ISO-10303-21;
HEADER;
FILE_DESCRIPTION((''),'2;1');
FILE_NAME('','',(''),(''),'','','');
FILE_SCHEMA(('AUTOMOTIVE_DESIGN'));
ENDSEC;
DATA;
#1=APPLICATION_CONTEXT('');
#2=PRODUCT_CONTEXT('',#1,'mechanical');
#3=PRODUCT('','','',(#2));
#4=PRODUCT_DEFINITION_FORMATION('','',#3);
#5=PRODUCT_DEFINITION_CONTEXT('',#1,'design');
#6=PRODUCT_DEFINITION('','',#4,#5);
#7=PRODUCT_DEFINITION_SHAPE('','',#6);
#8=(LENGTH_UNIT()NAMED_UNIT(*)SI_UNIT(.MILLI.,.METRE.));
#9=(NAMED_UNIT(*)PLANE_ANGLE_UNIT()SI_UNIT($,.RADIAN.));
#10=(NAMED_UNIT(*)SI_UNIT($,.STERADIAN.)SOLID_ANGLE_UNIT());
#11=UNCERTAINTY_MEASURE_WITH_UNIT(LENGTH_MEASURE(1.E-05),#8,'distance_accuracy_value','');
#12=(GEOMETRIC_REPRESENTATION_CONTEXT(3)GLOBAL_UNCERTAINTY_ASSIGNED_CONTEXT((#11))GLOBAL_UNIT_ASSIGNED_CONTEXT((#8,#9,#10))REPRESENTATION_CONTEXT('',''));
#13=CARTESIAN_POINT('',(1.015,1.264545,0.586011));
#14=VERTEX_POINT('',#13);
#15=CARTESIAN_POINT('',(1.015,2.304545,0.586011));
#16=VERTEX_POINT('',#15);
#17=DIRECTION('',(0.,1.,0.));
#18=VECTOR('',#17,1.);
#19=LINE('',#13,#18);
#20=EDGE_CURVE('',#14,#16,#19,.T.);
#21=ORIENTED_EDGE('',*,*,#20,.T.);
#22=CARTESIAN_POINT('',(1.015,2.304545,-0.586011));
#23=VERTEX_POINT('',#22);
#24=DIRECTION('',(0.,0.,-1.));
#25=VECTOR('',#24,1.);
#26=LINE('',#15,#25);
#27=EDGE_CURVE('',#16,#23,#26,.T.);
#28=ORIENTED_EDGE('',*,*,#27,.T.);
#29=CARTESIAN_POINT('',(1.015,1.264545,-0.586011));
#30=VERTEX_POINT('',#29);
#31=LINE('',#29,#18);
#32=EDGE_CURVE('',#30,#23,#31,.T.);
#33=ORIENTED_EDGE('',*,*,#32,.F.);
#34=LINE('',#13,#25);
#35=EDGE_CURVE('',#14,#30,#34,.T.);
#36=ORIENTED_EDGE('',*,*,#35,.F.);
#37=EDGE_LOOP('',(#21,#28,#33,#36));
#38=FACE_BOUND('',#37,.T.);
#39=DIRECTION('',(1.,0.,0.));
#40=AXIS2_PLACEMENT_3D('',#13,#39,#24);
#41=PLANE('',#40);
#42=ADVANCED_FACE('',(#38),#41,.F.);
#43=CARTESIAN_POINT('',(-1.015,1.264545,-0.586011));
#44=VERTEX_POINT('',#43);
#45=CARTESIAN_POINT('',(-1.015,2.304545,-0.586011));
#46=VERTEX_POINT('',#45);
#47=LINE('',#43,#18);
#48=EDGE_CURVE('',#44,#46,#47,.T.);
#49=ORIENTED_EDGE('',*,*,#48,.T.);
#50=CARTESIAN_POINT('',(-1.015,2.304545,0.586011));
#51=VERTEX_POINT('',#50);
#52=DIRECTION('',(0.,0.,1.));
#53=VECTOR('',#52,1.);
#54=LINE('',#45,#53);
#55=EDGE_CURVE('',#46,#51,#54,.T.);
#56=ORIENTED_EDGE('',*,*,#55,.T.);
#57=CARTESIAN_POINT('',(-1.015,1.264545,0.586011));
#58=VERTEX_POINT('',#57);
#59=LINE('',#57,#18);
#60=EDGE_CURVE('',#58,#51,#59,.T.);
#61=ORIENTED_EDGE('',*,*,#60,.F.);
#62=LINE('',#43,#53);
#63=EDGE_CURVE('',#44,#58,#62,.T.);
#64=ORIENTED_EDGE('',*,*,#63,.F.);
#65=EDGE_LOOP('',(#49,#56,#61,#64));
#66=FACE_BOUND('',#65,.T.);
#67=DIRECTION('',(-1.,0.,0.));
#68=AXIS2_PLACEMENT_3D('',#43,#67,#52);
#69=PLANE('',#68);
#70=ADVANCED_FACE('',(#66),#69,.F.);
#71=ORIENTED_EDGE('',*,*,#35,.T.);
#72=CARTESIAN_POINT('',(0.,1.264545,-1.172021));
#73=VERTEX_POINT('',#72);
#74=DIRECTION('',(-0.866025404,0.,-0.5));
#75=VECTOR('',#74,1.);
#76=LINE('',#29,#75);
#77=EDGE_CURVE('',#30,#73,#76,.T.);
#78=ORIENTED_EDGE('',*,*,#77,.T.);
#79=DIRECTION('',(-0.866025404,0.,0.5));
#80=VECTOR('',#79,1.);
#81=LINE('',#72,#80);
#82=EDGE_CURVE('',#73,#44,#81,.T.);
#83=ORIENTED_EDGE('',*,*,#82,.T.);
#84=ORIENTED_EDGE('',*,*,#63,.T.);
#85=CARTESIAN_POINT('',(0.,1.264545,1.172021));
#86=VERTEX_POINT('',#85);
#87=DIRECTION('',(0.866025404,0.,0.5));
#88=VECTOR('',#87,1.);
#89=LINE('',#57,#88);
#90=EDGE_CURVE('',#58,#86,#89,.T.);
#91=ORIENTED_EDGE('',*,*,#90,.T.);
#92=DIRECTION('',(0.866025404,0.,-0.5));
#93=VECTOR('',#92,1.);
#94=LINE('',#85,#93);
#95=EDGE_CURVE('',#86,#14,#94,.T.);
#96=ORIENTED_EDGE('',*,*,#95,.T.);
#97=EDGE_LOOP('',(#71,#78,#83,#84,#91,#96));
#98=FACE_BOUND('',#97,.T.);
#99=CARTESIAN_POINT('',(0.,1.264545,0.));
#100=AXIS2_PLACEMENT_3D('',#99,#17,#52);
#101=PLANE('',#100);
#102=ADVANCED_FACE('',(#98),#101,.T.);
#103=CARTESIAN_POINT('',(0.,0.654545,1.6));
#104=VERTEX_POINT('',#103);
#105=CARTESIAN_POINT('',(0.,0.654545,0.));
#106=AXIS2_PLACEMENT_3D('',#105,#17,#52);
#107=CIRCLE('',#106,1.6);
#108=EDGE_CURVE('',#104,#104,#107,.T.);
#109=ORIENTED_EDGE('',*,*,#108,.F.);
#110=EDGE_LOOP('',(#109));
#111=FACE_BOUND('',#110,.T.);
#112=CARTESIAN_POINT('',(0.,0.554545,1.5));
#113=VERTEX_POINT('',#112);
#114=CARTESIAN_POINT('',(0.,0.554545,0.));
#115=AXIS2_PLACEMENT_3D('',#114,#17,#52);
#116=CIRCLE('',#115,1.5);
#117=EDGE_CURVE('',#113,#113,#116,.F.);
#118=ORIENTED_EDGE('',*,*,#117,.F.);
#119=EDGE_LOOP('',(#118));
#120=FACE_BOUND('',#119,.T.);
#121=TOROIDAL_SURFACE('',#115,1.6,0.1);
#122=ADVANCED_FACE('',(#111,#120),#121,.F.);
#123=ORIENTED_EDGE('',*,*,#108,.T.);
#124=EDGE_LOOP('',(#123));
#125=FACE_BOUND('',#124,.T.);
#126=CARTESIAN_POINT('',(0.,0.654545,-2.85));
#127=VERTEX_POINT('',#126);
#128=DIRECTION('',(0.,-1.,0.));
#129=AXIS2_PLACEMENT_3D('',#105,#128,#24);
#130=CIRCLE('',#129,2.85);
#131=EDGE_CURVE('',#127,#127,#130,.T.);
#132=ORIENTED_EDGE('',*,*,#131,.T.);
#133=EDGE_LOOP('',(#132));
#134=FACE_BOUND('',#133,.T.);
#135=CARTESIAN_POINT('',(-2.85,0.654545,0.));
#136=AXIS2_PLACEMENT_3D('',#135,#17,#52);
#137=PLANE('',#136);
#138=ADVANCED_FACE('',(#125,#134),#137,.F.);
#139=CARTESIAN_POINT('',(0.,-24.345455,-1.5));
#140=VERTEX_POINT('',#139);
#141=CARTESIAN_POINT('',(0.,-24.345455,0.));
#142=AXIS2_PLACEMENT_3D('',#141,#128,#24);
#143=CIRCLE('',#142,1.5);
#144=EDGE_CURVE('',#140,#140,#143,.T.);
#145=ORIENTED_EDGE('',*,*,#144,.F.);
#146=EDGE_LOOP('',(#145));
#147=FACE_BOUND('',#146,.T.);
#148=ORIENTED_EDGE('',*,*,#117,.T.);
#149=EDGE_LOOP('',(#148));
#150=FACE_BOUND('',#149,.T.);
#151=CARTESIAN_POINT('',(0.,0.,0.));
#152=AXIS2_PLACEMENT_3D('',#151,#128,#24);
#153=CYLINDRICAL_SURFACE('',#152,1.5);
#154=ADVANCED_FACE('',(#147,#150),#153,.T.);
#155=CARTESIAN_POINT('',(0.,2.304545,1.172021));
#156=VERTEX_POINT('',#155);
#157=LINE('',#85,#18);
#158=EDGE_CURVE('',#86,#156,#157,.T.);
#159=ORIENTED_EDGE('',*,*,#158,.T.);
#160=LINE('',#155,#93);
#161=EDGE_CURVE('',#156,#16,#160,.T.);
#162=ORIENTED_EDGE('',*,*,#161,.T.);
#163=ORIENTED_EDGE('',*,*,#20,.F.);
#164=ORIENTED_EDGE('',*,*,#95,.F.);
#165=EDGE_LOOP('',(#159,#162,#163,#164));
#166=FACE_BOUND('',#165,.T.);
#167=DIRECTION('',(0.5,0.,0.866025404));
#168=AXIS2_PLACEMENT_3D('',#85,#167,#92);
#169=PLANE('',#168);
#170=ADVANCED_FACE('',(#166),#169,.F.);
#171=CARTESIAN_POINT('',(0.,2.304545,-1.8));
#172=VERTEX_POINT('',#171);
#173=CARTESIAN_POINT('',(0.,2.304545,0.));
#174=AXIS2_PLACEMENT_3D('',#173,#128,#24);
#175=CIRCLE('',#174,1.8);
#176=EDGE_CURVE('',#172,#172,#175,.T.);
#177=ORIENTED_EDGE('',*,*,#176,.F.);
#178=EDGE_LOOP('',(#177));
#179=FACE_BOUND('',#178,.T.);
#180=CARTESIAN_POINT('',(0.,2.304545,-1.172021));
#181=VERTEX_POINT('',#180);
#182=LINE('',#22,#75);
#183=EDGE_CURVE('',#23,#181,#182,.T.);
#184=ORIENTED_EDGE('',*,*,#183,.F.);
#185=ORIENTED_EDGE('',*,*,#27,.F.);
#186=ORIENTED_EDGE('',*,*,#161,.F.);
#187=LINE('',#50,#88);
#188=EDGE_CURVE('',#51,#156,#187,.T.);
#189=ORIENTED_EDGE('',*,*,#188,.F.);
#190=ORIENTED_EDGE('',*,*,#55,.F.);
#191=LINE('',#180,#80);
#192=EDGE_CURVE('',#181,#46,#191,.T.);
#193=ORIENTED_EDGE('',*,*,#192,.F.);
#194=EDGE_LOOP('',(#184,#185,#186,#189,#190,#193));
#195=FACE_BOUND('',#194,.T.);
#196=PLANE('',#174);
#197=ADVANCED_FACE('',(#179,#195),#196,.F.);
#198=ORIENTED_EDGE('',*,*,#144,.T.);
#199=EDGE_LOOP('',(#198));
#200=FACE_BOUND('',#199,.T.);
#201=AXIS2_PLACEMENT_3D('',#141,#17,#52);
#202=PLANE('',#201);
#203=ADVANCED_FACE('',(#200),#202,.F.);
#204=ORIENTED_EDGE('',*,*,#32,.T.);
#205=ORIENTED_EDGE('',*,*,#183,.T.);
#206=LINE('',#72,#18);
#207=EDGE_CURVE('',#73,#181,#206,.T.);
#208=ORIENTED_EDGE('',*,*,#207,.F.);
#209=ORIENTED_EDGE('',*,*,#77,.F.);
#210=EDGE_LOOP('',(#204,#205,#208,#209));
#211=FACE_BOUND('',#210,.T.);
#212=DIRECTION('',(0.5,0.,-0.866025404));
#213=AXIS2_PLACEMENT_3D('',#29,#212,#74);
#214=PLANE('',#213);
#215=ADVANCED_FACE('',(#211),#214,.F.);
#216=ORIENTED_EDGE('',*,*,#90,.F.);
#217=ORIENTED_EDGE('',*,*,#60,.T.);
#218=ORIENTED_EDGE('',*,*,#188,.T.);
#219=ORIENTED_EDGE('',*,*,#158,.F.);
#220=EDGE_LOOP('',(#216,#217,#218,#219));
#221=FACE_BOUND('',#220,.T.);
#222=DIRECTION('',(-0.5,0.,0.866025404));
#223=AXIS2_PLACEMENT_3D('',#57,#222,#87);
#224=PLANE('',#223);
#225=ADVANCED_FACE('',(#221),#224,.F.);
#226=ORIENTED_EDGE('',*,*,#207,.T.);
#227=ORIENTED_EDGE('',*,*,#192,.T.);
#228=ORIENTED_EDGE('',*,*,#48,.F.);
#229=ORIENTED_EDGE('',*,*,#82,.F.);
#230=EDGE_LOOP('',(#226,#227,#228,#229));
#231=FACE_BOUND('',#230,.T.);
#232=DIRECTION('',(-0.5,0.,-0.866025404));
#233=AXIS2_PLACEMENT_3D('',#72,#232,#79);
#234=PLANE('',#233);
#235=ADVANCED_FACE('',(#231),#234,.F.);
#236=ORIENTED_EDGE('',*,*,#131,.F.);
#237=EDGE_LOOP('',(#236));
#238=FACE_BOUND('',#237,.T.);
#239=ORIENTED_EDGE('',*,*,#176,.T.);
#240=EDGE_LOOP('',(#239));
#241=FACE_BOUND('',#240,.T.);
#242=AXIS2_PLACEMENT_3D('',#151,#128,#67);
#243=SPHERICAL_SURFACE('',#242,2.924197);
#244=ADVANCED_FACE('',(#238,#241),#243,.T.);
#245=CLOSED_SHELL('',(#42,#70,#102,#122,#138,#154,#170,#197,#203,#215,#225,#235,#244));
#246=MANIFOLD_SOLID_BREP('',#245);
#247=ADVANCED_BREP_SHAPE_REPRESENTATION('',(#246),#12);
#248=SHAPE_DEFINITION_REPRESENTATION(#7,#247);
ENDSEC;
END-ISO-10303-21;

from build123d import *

# Parameters (mm, degrees)
CUT_EXTRUDE_1_DEPTH = 1.04
FILLET_1_R          = 0.1


with BuildPart() as part:
    # 草图1 → 旋转1 (revolve)
    with BuildSketch(Plane.XY):
        with BuildLine():
            Line((0, 2.304545455), (-1.8, 2.304545455))
            ThreePointArc((-1.8, 2.304545455), (-2.467032631, 1.569929856), (-2.85, 0.654545455))
            Line((-2.85, 0.654545455), (-1.5, 0.654545455))
            Line((-1.5, 0.654545455), (-1.5, -24.345454545))
            Line((-1.5, -24.345454545), (0, -24.345454545))
            Line((0, -24.345454545), (0, 2.304545455))
        make_face()
    revolve(axis=Axis((0, 0, 0), (0, 1, 0)))

    # 草图2 → 切除-拉伸1 (cut)
    with BuildSketch(Plane(origin=(0, 2.304545455, 0), x_dir=(1, 0, 0), z_dir=(0, 1, 0))):
        Polygon((0, -1.172021046), (1.015, -0.586010523), (1.015, 0.586010523), (0, 1.172021046), (-1.015, 0.586010523), (-1.015, -0.586010523), align=None)
    extrude(amount=-CUT_EXTRUDE_1_DEPTH, mode=Mode.SUBTRACT)

    # 圆角1
    fillet_1_edges = [part.edges().sort_by_distance(p)[0] for p in [
        (1.5, 0.654545455, 0),
    ]]
    fillet(fillet_1_edges, radius=FILLET_1_R)


solid = part.part
